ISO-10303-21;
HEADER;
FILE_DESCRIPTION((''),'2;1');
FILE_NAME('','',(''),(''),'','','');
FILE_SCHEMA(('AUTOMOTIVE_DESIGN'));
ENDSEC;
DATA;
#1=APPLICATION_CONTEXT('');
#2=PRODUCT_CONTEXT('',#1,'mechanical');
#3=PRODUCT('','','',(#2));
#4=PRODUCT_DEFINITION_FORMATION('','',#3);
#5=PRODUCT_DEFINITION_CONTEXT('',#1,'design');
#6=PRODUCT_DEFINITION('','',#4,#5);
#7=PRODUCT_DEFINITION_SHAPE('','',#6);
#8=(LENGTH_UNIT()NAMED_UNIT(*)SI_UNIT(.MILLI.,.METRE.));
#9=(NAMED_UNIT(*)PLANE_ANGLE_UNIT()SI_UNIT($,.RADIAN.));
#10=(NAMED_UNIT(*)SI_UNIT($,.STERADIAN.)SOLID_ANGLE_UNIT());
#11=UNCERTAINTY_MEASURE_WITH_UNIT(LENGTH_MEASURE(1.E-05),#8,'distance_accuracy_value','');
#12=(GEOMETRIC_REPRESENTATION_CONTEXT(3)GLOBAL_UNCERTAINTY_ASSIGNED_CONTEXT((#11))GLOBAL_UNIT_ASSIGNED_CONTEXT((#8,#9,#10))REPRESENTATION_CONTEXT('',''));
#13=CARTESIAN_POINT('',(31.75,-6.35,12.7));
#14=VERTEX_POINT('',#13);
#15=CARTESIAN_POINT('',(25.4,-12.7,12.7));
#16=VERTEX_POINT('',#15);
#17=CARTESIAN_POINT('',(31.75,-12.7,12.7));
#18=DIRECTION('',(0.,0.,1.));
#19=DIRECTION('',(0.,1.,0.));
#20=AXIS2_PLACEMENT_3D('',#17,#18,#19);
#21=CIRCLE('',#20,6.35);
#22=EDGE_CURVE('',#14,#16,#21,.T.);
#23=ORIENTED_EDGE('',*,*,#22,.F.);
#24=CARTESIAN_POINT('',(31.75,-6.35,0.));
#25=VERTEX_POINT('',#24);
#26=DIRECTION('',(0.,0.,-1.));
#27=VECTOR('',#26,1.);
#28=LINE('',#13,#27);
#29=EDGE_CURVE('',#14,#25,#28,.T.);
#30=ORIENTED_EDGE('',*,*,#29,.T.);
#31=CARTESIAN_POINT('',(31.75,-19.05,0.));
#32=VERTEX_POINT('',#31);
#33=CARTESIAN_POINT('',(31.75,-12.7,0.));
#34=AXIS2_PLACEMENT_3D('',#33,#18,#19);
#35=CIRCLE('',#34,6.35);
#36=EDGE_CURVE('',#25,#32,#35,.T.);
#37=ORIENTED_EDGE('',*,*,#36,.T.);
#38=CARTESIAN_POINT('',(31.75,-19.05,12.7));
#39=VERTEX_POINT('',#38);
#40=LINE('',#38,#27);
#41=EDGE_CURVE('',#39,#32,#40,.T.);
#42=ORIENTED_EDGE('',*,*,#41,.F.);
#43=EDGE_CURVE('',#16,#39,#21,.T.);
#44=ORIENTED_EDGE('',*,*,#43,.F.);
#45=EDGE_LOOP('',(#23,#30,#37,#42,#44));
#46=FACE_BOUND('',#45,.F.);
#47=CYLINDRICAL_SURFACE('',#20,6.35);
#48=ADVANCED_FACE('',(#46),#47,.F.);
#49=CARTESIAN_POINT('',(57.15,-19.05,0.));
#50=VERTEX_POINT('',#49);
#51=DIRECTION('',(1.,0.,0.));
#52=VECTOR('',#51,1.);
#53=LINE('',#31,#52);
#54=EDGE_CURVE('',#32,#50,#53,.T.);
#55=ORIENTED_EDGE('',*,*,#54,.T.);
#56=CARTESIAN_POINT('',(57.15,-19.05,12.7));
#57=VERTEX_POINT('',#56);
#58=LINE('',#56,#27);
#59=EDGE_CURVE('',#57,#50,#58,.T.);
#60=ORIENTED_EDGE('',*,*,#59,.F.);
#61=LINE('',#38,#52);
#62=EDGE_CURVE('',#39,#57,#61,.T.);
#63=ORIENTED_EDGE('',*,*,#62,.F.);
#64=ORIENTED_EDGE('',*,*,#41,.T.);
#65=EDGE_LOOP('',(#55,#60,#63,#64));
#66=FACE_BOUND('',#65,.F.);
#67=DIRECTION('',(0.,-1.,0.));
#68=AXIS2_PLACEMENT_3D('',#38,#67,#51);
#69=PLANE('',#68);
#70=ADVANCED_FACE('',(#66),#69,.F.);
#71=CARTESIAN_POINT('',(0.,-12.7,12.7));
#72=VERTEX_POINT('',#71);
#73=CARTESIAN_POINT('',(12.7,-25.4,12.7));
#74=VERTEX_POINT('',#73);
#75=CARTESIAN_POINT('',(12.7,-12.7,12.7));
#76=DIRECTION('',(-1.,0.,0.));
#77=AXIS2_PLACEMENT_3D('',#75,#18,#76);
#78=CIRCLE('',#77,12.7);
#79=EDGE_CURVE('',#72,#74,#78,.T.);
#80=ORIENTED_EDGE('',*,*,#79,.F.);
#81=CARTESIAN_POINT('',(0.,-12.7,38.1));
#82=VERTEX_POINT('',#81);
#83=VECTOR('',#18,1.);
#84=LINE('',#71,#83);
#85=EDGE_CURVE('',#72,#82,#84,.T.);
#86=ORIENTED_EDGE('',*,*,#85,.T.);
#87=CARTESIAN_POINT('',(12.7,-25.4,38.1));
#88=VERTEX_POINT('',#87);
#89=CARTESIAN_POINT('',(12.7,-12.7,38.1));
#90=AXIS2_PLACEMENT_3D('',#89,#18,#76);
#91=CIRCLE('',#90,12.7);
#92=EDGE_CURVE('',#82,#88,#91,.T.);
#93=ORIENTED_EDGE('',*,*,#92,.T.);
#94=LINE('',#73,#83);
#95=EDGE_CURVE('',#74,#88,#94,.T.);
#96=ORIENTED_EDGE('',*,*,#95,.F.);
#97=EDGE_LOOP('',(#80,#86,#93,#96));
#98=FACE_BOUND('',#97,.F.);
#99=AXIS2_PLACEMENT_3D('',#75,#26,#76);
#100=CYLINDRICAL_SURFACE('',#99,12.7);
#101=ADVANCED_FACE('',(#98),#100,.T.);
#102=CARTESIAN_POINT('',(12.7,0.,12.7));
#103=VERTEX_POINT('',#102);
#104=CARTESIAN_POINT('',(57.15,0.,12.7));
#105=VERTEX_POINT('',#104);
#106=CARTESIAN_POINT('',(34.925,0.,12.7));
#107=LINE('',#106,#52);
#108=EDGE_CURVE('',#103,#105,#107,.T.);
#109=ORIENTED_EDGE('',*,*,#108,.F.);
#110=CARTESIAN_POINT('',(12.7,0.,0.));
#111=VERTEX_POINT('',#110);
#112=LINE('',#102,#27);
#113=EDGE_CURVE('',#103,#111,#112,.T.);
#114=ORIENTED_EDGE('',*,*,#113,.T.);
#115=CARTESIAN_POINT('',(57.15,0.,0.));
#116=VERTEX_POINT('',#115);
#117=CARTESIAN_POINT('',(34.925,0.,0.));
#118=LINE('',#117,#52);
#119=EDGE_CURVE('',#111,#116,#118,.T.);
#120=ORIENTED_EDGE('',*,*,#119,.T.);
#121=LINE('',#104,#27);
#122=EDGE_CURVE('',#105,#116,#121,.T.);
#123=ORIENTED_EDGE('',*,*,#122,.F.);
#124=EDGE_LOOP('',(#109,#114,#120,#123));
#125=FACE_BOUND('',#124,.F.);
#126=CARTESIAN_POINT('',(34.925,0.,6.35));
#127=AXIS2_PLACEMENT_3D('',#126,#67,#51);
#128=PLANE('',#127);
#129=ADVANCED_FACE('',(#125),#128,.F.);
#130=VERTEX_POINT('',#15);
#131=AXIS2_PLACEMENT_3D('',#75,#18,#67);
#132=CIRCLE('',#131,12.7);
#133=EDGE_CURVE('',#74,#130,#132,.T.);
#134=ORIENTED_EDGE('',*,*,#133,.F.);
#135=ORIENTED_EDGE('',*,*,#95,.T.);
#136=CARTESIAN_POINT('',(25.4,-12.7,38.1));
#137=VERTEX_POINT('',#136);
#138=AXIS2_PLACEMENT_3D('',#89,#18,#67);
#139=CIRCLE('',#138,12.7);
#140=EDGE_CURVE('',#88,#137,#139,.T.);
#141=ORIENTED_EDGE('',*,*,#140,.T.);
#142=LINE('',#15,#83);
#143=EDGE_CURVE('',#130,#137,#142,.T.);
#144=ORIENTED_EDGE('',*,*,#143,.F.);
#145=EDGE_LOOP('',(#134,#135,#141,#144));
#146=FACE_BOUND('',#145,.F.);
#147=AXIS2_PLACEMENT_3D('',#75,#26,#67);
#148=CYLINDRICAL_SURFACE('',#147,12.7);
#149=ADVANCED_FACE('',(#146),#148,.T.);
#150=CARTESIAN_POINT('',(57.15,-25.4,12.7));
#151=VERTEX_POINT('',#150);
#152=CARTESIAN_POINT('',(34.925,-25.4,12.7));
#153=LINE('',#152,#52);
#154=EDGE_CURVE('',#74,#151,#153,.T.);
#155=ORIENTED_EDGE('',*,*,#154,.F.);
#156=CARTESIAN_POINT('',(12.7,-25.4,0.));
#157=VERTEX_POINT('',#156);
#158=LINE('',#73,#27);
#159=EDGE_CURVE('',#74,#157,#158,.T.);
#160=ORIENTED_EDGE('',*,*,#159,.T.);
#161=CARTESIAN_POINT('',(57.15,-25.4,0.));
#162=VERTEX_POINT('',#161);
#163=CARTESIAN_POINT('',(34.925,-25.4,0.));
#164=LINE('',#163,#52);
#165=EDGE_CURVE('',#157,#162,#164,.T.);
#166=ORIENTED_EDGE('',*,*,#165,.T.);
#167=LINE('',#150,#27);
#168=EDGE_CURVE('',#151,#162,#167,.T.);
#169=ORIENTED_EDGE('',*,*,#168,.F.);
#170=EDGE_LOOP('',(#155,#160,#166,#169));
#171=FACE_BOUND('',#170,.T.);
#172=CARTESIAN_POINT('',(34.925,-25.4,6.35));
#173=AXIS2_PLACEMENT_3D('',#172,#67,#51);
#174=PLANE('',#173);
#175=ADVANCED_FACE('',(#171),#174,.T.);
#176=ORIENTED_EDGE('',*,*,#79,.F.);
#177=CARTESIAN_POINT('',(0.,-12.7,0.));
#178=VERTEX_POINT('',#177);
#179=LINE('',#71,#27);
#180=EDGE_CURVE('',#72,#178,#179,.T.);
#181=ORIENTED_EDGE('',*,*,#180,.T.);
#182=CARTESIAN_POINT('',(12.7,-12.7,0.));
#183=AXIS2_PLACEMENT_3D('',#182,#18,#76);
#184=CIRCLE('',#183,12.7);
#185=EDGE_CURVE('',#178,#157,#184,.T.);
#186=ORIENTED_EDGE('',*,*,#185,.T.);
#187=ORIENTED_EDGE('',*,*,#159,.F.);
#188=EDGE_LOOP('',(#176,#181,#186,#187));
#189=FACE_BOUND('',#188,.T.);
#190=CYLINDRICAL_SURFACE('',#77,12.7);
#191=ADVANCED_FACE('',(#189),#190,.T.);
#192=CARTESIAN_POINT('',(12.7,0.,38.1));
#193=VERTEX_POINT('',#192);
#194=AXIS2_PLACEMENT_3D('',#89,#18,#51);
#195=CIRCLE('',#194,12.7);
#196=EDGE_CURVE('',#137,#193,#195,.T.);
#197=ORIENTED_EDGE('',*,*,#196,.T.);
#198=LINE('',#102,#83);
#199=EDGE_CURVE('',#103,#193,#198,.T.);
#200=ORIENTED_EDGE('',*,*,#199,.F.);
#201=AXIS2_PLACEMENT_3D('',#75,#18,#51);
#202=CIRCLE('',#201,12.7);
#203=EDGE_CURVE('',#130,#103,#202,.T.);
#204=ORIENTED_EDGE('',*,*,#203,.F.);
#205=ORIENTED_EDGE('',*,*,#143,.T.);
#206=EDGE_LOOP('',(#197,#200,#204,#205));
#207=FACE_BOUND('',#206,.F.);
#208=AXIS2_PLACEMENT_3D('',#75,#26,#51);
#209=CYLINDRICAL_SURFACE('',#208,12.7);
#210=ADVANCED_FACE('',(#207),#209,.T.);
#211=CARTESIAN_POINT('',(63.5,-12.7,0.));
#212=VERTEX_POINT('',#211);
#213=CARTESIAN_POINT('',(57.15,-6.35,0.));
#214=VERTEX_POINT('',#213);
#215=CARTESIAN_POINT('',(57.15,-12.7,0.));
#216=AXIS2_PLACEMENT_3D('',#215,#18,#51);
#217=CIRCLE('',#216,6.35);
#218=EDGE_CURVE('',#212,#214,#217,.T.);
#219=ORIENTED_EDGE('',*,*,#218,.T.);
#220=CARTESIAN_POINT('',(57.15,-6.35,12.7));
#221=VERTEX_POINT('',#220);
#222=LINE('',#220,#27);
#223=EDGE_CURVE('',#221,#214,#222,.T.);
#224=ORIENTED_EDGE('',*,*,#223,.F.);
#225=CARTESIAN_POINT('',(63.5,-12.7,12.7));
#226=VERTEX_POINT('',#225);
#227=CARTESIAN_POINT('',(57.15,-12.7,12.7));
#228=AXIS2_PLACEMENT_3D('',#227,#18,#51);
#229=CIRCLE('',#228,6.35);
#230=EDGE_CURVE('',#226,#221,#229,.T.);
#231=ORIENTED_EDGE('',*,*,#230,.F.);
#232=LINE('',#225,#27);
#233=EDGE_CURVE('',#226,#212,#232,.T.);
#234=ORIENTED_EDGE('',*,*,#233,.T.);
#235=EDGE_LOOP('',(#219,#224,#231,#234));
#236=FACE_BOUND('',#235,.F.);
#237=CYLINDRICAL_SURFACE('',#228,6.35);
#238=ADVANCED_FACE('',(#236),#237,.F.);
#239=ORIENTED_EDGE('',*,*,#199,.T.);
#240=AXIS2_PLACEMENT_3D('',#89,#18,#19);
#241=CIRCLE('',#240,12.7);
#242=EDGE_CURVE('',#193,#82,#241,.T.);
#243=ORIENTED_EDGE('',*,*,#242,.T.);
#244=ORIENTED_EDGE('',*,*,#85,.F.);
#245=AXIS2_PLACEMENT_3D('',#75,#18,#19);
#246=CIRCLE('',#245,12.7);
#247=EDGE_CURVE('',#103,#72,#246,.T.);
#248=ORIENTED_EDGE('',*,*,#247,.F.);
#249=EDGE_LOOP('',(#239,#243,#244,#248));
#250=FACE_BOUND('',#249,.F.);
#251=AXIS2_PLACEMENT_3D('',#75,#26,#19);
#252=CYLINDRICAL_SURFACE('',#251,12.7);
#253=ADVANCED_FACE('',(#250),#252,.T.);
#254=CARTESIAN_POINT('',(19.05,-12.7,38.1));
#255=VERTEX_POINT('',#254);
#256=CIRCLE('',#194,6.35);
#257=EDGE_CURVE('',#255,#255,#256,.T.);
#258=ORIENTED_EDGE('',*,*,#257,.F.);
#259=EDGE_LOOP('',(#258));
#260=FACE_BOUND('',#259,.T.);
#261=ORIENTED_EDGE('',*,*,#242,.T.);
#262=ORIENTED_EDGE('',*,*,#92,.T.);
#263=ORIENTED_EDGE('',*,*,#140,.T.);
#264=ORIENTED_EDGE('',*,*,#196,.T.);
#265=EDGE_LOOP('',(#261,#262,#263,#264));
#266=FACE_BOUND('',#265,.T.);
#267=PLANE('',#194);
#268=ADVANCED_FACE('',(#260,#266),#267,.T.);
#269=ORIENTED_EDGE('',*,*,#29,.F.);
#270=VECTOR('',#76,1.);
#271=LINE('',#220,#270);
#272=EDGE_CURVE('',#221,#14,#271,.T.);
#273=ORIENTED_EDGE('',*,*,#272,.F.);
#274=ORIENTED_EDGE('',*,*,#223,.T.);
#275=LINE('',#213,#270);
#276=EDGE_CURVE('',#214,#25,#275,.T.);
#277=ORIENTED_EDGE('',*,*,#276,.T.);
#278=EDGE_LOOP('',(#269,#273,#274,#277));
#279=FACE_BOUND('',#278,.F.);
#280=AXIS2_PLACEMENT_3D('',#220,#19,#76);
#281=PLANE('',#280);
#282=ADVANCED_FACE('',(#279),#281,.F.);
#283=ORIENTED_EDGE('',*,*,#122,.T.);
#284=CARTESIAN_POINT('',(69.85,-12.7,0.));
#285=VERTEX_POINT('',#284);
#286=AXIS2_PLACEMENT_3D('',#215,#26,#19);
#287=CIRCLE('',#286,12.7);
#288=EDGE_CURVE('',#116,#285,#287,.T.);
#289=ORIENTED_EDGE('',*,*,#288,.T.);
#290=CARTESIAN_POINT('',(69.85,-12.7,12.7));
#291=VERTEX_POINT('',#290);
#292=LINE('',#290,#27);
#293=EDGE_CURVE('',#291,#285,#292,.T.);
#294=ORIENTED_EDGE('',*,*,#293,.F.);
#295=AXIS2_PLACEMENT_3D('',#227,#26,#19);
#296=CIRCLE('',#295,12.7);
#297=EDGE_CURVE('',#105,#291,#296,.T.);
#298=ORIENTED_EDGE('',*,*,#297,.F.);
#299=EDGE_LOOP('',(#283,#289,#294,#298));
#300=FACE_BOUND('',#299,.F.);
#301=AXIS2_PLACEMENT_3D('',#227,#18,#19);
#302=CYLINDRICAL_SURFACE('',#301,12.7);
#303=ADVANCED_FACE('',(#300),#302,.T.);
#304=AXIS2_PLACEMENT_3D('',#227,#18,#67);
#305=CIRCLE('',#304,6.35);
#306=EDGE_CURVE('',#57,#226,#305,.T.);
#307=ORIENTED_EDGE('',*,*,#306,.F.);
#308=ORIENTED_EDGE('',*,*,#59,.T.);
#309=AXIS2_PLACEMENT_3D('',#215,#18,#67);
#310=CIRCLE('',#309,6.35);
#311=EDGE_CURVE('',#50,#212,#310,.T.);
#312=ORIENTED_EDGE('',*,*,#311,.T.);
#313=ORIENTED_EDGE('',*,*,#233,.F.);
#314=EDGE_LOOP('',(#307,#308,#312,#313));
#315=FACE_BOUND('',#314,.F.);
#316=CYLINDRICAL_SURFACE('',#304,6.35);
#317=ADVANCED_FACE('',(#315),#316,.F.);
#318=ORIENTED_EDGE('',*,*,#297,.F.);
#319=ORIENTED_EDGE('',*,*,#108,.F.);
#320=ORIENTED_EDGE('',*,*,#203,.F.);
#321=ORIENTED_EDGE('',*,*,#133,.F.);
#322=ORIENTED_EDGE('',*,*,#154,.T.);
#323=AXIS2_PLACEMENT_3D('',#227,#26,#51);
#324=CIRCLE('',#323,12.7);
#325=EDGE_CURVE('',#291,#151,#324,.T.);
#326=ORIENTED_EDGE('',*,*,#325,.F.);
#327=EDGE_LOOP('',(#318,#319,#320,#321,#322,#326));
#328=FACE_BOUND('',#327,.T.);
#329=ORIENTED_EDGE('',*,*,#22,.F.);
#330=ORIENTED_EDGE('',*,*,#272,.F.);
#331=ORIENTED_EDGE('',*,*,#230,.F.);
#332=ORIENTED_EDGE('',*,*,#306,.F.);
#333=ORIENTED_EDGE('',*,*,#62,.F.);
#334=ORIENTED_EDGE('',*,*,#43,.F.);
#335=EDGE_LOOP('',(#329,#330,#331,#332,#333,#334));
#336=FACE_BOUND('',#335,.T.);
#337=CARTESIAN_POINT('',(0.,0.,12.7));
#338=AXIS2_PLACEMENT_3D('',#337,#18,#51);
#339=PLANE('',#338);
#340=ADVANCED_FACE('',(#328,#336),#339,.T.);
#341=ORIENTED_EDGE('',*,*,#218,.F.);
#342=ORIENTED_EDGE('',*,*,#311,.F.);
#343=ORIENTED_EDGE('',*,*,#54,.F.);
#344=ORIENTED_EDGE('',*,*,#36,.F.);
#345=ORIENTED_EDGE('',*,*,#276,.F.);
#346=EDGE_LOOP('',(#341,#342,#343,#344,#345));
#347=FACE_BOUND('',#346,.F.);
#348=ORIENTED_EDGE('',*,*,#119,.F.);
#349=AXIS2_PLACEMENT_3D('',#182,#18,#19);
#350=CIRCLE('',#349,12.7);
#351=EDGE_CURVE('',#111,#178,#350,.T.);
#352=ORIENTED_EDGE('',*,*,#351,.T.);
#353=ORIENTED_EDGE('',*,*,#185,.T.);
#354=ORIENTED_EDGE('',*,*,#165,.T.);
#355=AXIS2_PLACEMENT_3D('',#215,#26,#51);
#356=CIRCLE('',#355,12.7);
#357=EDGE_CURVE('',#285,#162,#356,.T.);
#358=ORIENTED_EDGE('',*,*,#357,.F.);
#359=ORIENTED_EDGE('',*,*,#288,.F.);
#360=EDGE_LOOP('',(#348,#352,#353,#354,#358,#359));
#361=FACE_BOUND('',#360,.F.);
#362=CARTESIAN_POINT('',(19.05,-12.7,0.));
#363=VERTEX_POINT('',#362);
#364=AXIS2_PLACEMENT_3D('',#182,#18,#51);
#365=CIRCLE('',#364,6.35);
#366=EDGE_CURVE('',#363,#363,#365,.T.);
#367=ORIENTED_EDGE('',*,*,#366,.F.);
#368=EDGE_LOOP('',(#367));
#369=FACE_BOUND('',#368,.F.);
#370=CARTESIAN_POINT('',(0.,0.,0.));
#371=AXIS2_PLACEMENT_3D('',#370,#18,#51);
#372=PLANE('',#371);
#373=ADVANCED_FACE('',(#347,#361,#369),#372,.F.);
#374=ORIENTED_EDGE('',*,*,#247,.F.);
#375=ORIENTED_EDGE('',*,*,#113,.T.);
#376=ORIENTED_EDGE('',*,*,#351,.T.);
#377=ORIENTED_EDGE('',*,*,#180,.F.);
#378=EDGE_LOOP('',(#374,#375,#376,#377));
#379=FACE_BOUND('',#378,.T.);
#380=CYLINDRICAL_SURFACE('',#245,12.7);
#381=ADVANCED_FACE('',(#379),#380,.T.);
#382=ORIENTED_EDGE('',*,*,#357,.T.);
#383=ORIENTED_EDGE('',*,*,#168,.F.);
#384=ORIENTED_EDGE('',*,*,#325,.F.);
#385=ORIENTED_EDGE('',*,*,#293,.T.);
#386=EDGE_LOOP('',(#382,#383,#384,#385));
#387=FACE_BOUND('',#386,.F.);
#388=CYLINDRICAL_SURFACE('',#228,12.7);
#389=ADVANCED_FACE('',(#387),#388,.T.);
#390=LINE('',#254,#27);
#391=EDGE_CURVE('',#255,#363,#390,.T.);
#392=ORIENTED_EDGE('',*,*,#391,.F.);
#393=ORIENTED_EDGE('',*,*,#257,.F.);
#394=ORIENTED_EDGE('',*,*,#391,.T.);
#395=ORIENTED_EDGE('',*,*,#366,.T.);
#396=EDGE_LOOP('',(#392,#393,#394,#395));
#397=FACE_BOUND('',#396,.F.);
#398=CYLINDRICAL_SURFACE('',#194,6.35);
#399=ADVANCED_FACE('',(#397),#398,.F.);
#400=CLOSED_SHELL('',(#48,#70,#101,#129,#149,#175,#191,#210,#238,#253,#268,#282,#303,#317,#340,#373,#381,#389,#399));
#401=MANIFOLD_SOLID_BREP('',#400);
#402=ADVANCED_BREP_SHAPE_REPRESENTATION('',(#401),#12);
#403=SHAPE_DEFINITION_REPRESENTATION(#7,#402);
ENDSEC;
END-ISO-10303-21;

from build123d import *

# Parameters (mm, degrees)
F0_W      = 69.85
F0_H      = 12.7
F1_DEPTH  = 25.4
F3_DEPTH  = 12.7
F5_DEPTH  = 25.4
F6_DEPTH  = 12.7
F7_R      = 6.35
F8_DEPTH  = 38.1
F10_DEPTH = 12.7


with BuildPart() as f1:
    # F0 (on Front) → F1 (new body)
    with BuildSketch(Plane.XZ):
        with Locations((34.925, 6.35)):
            Rectangle(F0_W, F0_H)
    extrude(amount=F1_DEPTH)

    # F2 (on face) → F3 (cut)
    with BuildSketch(Plane.XY.offset(12.7)):
        with BuildLine():
            ThreePointArc((38.1, -12.7), (36.2401280605, -8.2098719395), (31.75, -6.35))
            ThreePointArc((31.75, -6.35), (25.4, -12.7), (31.75, -19.05))
            ThreePointArc((31.75, -19.05), (36.2401280605, -17.1901280605), (38.1, -12.7))
        make_face()
        with BuildLine():
            ThreePointArc((57.15, -19.05), (50.8, -12.7), (57.15, -6.35))
            Line((57.15, -6.35), (31.75, -6.35))
            ThreePointArc((31.75, -6.35), (36.2401280605, -8.2098719395), (38.1, -12.7))
            ThreePointArc((38.1, -12.7), (36.2401280605, -17.1901280605), (31.75, -19.05))
            Line((31.75, -19.05), (57.15, -19.05))
        make_face()
        with BuildLine():
            ThreePointArc((57.15, -19.05), (61.6401280605, -17.1901280605), (63.5, -12.7))
            ThreePointArc((63.5, -12.7), (61.6401280605, -8.2098719395), (57.15, -6.35))
            ThreePointArc((57.15, -6.35), (50.8, -12.7), (57.15, -19.05))
        make_face()
    extrude(amount=-F3_DEPTH, mode=Mode.SUBTRACT)

    # F4 (on face) → F5 (join)
    with BuildSketch(Plane.XY.offset(12.7)):
        with BuildLine():
            ThreePointArc((12.7, -25.4), (21.6802561211, -21.6802561211), (25.4, -12.7))
            ThreePointArc((25.4, -12.7), (21.6802561211, -3.7197438789), (12.7, 0))
            ThreePointArc((12.7, 0), (3.7197438789, -3.7197438789), (0, -12.7))
            ThreePointArc((0, -12.7), (3.7197438789, -21.6802561211), (12.7, -25.4))
        make_face()
    extrude(amount=F5_DEPTH)

    # F6 (cut): faces of the model
    f6_faces = [f1.faces().sort_by_distance(p)[0] for p in [
        (2.8367728246, -2.8367728246, 12.7),
        (2.8367728246, -22.5632271754, 12.7),
    ]]
    extrude(f6_faces, amount=-F6_DEPTH, mode=Mode.SUBTRACT)

    # F7 (on face) → F8 (cut)
    with BuildSketch(Plane.XY.offset(38.1)):
        with Locations((12.7, -12.7)):
            Circle(F7_R)
    extrude(amount=-F8_DEPTH, mode=Mode.SUBTRACT)

    # F9 (on face) → F10 (cut)
    with BuildSketch(Plane.XY.offset(12.7)):
        with BuildLine():
            ThreePointArc((57.15, 0), (66.1302561211, -3.7197438789), (69.85, -12.7))
            Line((69.85, -12.7), (69.85, 0))
            Line((69.85, 0), (57.15, 0))
        make_face()
        with BuildLine():
            ThreePointArc((69.85, -12.7), (66.1302561211, -21.6802561211), (57.15, -25.4))
            Line((57.15, -25.4), (69.85, -25.4))
            Line((69.85, -25.4), (69.85, -12.7))
        make_face()
    extrude(amount=-F10_DEPTH, mode=Mode.SUBTRACT)


solid = f1.part
